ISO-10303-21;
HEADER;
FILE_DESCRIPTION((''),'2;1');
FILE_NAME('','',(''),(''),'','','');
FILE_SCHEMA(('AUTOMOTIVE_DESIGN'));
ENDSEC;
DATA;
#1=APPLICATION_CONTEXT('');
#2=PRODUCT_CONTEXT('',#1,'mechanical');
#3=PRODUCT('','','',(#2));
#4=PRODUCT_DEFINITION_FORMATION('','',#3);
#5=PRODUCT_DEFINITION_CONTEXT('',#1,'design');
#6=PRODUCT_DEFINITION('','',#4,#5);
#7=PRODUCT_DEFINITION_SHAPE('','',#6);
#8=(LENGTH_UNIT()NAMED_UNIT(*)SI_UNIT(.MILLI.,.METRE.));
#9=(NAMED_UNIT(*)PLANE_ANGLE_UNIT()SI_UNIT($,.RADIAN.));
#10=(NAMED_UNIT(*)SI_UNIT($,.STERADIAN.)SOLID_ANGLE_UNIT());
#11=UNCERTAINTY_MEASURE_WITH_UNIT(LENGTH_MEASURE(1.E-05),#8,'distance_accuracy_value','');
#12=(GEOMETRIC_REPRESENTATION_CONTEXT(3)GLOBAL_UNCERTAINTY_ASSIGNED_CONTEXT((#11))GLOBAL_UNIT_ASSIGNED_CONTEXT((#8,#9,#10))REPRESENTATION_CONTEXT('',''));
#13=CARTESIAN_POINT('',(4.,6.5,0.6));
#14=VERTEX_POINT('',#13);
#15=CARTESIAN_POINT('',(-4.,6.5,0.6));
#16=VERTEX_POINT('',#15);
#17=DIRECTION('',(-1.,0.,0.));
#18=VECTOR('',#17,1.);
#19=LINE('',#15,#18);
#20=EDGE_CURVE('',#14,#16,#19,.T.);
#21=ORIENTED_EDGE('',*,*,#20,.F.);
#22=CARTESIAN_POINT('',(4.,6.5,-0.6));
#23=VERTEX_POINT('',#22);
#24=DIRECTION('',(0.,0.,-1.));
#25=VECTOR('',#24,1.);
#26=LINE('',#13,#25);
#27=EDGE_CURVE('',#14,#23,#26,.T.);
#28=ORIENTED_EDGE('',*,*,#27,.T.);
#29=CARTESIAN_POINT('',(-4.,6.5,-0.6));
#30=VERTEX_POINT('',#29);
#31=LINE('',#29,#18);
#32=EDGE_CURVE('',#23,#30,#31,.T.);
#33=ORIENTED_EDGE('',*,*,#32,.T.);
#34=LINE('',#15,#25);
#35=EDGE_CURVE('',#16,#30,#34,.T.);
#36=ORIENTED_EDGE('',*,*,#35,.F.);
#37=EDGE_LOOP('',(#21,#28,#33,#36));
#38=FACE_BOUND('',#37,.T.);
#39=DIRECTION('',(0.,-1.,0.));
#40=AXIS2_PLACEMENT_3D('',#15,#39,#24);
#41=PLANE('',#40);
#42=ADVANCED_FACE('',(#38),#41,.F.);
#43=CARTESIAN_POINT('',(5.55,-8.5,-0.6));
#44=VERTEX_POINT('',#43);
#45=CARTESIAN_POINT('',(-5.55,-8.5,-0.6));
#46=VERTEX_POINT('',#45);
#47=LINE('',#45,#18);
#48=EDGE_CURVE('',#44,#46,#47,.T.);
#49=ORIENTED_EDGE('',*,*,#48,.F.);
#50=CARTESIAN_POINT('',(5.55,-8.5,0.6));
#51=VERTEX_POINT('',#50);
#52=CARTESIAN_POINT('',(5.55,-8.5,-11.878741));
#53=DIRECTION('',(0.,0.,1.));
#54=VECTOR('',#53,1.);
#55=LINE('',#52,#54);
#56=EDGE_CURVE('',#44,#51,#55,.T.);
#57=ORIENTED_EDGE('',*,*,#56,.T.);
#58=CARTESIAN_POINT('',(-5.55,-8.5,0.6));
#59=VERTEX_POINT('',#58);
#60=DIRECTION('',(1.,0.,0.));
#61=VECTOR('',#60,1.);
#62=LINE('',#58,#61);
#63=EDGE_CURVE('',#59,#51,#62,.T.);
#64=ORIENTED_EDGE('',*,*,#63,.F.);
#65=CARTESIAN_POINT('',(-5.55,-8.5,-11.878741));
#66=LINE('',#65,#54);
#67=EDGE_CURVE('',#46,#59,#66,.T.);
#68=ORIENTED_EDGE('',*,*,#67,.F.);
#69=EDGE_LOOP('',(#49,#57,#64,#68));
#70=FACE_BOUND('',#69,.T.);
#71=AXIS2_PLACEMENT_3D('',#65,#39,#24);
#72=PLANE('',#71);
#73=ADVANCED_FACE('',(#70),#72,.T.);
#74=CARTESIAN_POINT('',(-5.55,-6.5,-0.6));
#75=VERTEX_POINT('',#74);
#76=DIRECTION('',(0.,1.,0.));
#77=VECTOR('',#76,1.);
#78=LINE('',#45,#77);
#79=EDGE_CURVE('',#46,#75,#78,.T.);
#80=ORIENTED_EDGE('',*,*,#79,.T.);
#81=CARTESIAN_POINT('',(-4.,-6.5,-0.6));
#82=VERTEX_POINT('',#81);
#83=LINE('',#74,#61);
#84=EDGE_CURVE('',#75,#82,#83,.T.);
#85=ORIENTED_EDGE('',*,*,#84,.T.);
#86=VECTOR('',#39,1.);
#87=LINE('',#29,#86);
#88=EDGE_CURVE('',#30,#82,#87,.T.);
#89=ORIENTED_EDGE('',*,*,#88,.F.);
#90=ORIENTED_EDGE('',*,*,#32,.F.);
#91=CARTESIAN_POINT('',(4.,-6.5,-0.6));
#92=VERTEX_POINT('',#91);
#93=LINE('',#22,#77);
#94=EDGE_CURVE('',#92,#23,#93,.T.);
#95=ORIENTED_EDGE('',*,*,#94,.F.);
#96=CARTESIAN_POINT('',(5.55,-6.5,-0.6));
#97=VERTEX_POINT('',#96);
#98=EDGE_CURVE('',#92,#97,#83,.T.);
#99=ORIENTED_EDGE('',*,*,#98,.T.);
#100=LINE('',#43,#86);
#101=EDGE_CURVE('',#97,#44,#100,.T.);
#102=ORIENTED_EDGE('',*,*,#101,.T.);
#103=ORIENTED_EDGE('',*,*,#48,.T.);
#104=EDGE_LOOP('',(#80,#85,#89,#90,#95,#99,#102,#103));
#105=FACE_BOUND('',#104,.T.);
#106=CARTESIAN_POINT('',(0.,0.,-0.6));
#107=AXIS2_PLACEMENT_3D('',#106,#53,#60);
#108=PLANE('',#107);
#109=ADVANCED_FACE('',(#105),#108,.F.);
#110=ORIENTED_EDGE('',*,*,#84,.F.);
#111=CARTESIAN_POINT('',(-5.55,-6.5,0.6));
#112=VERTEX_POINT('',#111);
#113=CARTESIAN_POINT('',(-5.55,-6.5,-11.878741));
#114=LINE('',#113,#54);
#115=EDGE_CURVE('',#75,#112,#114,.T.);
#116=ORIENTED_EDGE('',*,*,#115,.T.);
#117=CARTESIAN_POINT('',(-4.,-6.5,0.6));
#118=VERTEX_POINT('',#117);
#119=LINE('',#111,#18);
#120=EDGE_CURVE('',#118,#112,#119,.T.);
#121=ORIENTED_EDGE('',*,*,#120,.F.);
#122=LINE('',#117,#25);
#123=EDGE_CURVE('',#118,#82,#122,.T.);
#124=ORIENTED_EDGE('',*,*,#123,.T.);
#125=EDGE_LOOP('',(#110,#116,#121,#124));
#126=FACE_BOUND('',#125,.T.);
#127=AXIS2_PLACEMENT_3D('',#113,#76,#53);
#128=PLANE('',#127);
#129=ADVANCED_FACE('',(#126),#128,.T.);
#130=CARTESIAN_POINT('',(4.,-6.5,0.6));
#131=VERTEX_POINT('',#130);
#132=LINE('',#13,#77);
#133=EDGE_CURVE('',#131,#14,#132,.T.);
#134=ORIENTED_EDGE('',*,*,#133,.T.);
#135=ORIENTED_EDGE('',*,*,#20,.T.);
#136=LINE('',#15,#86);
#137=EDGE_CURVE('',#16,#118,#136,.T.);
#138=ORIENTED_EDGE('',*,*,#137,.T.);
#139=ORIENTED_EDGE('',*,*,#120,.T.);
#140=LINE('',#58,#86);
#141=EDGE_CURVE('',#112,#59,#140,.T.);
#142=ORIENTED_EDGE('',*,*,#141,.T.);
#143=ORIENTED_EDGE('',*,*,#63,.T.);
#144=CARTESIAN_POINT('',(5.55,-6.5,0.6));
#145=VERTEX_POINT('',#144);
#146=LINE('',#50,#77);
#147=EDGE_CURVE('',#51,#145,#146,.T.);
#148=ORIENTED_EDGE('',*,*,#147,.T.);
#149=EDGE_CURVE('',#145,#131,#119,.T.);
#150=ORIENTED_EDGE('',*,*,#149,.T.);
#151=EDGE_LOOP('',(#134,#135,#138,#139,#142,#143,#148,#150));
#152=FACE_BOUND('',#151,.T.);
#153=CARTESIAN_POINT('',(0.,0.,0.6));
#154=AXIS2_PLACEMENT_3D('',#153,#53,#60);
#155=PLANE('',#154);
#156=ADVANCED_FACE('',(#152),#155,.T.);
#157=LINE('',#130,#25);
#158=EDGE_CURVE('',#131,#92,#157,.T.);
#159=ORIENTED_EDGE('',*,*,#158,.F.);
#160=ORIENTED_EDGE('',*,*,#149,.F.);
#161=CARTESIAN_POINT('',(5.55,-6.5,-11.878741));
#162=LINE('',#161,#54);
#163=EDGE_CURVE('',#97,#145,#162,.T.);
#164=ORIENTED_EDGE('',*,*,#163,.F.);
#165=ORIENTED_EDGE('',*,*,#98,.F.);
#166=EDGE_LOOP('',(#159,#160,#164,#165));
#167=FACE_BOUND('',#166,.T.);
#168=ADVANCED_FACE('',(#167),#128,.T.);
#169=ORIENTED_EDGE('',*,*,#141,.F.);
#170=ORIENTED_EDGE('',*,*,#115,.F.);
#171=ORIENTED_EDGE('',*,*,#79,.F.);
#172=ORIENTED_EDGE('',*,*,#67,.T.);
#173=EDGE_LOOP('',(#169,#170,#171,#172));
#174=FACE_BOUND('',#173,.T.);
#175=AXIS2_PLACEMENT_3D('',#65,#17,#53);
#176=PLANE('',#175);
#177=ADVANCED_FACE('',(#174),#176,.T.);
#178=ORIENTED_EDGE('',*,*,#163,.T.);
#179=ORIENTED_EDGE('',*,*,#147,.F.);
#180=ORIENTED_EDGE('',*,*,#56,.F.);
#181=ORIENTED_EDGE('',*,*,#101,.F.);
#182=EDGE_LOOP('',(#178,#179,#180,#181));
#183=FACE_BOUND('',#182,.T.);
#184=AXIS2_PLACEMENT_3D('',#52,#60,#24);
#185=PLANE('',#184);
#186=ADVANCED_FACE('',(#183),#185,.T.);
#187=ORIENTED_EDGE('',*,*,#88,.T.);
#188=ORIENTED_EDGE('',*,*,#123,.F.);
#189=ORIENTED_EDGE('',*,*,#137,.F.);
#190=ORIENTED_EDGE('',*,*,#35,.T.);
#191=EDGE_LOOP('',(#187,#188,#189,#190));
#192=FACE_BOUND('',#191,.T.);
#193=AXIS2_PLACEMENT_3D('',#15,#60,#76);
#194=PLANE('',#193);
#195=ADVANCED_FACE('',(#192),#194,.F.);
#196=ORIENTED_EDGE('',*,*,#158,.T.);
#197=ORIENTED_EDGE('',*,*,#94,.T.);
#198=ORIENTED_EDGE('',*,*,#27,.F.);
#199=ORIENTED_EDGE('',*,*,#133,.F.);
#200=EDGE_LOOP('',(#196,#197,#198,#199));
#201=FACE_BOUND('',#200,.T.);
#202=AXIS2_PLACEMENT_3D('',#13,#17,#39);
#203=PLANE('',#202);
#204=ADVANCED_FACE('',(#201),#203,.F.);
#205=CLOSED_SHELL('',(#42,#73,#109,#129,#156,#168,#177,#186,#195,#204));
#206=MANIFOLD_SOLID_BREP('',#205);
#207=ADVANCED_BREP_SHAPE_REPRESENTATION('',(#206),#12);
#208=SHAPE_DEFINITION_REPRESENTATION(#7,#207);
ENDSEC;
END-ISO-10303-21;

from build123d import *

# Parameters (mm, degrees)
SKETCH1_W           = 8
SKETCH1_H           = 13
BOSS_EXTRUDE1_DEPTH = 0.6
SKETCH2_W           = 11.1
SKETCH2_H           = 2
BOSS_EXTRUDE2_DEPTH = 1.2


with BuildPart() as part:
    # Sketch1 → Boss-Extrude1 (new, symmetric)
    with BuildSketch(Plane.XY):
        Rectangle(SKETCH1_W, SKETCH1_H)
    extrude(amount=BOSS_EXTRUDE1_DEPTH, both=True)

    # Sketch2 → Boss-Extrude2 (add)
    with BuildSketch(Plane.XY.offset(0.6)):
        with Locations((0, -7.5)):
            Rectangle(SKETCH2_W, SKETCH2_H)
    extrude(amount=-BOSS_EXTRUDE2_DEPTH)


solid = part.part
